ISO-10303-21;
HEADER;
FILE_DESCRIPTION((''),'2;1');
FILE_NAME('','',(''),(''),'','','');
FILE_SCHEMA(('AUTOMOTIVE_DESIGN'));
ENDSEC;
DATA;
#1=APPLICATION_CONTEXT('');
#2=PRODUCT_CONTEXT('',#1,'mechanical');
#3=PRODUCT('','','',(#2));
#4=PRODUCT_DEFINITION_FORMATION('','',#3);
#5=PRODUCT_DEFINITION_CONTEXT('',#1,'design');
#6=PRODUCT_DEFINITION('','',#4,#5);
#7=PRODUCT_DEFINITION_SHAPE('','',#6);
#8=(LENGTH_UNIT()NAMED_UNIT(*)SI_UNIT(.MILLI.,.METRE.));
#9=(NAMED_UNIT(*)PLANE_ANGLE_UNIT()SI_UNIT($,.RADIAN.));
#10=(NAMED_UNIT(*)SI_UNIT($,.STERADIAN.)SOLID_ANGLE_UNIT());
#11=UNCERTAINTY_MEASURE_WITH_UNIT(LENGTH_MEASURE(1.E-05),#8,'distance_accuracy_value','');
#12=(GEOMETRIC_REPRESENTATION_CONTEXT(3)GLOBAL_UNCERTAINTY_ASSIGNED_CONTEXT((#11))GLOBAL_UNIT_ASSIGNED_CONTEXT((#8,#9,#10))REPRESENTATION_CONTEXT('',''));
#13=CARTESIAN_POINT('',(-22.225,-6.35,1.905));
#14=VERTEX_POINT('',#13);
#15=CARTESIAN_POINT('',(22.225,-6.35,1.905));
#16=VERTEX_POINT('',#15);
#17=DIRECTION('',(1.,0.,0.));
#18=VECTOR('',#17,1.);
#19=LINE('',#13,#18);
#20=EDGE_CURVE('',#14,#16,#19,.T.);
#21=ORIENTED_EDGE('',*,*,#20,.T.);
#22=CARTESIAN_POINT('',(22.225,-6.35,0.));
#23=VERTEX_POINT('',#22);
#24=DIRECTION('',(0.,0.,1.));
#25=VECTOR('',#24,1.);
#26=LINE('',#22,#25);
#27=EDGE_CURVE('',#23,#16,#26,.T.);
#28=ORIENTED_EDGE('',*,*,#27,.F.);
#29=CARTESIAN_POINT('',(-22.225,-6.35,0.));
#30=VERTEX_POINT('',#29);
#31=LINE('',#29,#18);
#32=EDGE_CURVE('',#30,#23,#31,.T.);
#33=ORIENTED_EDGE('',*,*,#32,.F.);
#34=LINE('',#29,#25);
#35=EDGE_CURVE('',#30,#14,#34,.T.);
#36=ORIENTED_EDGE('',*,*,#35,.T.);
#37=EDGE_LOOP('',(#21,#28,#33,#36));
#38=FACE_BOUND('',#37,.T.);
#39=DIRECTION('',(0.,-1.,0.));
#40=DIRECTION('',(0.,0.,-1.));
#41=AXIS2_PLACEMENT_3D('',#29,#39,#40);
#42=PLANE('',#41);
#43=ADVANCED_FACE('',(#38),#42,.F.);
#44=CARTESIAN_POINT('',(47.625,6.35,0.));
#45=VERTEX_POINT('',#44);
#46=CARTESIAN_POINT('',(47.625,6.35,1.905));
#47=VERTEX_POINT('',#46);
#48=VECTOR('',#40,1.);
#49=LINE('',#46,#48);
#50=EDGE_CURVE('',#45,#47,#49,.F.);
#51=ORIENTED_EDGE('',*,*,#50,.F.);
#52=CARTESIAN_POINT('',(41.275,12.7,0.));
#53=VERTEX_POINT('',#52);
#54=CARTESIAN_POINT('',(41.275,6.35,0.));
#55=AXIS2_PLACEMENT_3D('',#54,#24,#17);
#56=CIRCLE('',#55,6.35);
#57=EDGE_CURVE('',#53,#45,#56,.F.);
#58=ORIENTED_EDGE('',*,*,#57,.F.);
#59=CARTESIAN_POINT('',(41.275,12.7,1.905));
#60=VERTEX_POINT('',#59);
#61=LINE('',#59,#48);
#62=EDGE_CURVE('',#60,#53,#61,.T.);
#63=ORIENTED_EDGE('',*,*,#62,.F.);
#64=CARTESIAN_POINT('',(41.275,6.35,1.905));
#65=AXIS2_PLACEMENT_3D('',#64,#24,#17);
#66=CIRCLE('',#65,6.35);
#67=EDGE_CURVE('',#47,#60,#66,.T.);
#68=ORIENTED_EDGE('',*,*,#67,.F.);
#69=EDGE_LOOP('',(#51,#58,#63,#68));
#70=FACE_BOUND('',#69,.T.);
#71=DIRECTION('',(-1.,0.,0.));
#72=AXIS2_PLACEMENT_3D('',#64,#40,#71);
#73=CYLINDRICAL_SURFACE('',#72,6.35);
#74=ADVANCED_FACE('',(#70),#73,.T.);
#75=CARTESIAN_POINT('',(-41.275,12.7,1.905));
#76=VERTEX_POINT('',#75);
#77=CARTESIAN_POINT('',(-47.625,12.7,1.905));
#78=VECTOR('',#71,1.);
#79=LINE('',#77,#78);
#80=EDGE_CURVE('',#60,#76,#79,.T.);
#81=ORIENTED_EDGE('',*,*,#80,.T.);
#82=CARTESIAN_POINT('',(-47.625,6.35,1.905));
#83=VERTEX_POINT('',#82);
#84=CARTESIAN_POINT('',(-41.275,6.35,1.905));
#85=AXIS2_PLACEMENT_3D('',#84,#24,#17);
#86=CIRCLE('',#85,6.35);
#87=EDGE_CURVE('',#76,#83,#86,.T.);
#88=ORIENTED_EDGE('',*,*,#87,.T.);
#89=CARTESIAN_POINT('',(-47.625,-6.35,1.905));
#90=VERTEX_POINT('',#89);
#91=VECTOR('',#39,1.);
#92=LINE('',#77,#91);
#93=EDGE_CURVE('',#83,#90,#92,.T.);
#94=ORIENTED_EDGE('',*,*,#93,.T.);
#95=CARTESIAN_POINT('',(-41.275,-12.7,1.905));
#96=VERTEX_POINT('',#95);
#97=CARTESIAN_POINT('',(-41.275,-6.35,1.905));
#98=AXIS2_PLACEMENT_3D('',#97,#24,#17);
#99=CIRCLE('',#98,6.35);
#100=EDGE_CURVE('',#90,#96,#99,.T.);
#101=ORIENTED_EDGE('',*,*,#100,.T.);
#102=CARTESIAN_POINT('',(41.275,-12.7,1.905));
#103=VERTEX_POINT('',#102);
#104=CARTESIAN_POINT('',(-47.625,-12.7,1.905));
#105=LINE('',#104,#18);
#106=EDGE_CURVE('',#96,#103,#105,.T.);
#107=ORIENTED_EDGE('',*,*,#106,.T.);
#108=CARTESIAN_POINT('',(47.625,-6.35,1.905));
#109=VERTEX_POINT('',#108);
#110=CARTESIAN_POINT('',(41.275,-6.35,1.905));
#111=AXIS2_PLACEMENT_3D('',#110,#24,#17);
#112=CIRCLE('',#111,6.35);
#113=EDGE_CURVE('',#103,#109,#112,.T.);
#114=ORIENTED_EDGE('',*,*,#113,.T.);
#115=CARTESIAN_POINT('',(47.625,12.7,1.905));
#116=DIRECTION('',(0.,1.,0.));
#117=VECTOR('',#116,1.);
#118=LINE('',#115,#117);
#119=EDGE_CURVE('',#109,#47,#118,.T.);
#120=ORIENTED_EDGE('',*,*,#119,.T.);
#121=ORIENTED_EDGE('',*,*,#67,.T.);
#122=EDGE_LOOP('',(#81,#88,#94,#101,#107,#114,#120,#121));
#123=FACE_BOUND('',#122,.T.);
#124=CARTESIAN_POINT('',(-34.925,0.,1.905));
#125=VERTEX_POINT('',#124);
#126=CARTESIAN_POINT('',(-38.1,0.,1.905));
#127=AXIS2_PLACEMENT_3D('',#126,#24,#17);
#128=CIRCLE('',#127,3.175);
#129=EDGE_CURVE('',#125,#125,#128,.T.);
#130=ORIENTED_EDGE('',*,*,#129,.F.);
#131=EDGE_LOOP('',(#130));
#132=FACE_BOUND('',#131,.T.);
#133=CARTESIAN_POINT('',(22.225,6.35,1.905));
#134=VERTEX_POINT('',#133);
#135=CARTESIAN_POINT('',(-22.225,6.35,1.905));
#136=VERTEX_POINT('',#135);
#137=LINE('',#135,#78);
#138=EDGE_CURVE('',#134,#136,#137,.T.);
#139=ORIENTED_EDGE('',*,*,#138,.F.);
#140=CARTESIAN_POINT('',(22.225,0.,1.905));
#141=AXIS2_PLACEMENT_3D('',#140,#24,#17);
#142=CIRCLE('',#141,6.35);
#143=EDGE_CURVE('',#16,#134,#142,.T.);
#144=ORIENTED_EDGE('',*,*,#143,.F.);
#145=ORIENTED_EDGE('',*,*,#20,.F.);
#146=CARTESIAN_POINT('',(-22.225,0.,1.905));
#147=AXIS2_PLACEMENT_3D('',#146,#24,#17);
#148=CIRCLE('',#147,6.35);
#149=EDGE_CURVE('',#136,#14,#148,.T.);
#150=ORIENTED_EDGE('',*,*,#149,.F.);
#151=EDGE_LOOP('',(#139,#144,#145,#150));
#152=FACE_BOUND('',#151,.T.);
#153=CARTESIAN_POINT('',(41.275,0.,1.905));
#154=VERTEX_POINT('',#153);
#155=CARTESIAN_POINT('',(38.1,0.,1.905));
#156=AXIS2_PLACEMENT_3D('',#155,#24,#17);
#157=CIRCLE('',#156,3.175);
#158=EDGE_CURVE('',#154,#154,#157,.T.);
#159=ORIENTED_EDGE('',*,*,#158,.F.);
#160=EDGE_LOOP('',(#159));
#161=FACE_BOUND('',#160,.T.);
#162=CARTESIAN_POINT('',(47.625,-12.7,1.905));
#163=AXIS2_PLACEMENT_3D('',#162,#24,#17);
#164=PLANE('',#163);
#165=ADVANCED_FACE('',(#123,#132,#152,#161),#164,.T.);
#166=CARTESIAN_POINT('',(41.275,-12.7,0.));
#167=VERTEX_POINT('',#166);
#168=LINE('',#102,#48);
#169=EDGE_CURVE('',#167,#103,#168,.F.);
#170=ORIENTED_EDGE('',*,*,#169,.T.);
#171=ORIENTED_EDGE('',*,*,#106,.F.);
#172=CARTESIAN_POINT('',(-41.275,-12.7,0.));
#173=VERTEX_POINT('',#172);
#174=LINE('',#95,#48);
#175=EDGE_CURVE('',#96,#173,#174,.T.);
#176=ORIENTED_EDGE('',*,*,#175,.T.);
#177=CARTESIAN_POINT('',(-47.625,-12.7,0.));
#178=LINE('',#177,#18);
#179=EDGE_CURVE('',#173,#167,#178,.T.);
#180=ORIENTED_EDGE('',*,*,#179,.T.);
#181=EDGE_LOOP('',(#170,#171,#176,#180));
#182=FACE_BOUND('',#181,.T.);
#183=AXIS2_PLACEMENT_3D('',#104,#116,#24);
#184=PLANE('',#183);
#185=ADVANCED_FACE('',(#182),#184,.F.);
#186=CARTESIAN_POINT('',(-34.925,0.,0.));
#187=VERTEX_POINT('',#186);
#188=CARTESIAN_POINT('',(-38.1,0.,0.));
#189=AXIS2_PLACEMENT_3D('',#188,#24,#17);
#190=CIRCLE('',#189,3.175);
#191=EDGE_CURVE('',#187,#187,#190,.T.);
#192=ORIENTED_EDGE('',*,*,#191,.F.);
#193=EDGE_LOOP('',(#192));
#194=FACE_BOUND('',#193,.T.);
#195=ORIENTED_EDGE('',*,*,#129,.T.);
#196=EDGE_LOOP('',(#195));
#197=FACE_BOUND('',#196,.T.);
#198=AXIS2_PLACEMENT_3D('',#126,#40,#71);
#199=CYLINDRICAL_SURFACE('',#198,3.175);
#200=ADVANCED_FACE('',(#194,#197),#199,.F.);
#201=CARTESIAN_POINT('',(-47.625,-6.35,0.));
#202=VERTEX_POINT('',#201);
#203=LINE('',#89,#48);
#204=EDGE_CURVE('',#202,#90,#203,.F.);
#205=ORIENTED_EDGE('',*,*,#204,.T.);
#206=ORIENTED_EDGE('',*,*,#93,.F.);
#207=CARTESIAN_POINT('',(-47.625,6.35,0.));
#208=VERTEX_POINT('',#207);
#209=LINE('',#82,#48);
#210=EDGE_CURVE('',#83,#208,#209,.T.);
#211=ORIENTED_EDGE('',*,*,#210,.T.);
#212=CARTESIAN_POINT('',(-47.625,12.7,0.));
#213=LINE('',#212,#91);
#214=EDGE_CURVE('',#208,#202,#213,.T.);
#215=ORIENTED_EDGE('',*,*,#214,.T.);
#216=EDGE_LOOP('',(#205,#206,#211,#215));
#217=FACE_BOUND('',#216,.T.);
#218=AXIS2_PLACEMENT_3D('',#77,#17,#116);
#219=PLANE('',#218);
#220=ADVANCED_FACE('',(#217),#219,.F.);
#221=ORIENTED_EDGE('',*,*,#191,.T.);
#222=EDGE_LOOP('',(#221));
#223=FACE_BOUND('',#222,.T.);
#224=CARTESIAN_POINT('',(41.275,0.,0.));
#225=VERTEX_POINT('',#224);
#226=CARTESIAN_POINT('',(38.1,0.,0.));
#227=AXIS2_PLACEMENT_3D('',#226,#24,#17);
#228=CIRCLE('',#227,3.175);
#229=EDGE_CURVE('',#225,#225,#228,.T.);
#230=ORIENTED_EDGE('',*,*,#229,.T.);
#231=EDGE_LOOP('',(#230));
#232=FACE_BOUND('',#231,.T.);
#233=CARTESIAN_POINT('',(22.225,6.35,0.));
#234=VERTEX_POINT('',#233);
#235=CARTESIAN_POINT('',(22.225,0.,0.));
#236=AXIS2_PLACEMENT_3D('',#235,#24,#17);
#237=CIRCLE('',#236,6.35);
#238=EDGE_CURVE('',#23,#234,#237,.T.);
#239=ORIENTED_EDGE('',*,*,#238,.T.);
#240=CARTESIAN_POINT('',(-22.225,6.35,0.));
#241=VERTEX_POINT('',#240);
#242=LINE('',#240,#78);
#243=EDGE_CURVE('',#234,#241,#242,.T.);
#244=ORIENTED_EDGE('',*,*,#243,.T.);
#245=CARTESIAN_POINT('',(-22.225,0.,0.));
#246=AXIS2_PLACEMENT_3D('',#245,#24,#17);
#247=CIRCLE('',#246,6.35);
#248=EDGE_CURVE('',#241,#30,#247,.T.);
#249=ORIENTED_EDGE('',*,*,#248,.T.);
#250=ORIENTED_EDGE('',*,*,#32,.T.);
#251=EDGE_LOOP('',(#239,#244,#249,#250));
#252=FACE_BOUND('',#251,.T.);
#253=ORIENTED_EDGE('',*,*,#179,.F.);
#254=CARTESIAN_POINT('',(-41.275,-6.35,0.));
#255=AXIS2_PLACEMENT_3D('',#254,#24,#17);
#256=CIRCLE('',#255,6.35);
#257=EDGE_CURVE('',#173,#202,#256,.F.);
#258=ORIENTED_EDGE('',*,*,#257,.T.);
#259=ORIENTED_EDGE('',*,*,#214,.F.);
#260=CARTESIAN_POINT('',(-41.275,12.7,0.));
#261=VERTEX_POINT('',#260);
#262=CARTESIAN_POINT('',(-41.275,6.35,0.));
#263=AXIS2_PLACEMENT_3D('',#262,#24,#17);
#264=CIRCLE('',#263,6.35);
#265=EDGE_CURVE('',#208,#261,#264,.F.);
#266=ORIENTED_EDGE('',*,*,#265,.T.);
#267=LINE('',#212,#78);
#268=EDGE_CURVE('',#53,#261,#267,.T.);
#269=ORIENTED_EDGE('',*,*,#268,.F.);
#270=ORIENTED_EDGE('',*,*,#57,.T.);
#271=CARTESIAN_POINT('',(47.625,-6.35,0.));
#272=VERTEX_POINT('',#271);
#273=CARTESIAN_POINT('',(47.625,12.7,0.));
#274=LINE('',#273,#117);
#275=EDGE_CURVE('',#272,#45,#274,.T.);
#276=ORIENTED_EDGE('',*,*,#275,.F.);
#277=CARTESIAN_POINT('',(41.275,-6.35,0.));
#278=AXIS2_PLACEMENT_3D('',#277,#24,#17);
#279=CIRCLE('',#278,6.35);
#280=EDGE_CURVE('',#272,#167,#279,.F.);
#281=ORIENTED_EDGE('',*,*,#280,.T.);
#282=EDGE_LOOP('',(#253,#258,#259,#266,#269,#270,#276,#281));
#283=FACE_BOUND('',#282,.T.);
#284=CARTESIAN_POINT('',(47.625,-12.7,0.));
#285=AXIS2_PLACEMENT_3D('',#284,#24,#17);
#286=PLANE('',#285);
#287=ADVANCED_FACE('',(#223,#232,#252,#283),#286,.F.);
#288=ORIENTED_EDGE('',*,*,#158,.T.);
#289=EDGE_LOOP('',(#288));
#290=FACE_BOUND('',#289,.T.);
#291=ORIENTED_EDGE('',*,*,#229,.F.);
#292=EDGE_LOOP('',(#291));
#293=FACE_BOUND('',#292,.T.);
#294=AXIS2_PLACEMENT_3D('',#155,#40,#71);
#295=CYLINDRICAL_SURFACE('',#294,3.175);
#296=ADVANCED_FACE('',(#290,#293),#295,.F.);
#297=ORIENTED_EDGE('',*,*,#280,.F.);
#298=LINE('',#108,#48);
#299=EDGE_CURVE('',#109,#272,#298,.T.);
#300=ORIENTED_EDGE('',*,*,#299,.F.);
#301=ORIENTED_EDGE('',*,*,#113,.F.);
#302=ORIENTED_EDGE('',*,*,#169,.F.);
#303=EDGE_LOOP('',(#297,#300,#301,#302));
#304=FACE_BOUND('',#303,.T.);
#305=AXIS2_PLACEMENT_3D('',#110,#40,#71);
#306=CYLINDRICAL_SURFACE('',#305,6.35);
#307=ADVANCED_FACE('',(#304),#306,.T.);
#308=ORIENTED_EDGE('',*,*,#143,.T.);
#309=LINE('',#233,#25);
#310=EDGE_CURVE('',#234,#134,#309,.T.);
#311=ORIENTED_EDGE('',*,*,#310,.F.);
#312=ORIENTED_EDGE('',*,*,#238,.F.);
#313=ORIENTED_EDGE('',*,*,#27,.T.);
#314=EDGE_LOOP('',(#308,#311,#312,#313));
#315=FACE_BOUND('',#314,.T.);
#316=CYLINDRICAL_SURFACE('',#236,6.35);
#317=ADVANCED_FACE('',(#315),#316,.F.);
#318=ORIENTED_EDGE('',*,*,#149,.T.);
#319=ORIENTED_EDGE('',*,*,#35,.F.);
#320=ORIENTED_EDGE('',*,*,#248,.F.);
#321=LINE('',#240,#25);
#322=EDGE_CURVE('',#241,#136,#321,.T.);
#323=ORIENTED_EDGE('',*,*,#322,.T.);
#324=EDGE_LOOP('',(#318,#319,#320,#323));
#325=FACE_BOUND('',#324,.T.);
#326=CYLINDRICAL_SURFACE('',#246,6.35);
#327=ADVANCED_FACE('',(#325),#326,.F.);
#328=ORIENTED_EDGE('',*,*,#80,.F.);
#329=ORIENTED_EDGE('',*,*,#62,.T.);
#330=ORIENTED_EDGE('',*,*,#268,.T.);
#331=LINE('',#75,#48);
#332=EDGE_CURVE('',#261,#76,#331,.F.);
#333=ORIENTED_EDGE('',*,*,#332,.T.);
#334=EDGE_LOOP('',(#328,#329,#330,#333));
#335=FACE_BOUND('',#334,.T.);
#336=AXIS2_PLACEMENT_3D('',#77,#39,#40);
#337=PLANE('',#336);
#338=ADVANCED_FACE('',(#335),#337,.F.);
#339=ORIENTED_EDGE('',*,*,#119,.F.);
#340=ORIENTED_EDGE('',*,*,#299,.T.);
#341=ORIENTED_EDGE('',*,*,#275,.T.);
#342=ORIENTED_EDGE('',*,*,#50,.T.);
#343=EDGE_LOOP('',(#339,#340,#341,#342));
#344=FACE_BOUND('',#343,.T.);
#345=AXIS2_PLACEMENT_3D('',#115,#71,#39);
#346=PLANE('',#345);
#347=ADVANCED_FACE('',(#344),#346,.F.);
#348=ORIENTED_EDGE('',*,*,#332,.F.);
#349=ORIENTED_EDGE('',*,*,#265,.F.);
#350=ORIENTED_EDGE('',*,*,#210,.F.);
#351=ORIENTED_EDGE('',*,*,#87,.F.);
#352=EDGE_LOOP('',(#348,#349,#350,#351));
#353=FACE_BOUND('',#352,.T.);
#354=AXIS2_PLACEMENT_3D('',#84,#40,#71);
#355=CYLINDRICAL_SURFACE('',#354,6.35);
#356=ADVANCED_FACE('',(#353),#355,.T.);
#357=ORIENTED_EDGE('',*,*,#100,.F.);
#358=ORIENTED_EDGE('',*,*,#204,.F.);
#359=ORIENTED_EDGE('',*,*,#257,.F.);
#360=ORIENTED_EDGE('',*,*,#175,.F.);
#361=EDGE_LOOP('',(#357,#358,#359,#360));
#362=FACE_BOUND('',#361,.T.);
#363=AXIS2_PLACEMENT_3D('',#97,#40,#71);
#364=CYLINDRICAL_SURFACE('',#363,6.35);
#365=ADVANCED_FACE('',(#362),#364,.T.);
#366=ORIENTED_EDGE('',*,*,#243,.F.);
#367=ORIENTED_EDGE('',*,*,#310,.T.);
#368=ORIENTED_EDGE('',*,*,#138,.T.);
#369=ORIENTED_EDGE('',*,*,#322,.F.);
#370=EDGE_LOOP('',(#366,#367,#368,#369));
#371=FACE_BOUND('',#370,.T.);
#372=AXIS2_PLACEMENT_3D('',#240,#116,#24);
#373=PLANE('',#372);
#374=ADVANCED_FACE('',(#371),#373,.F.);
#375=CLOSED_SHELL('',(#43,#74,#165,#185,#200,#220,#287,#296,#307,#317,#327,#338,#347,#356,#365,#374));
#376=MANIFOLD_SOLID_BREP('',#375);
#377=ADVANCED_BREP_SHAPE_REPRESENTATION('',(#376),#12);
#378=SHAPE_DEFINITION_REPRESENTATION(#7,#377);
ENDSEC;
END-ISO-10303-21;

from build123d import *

# Parameters (mm, degrees)
SKETCH1_W           = 95.25
SKETCH1_H           = 25.4
SKETCH1_R           = 3.175
BOSS_EXTRUDE1_DEPTH = 1.905
CUT_EXTRUDE1_DEPTH  = 2.905
FILLET1_R           = 6.35


with BuildPart() as part:
    # Sketch1 → Boss-Extrude1 (new body)
    with BuildSketch(Plane.XY):
        Rectangle(SKETCH1_W, SKETCH1_H)
        with Locations((-38.1, 0)):
            Circle(SKETCH1_R, mode=Mode.SUBTRACT)
        with Locations((38.1, 0)):
            Circle(SKETCH1_R, mode=Mode.SUBTRACT)
    extrude(amount=BOSS_EXTRUDE1_DEPTH)

    # Sketch2 → Cut-Extrude1 (cut, through all)
    with BuildSketch(Plane.XY.offset(1.905)):
        with BuildLine():
            Line((-22.225, 6.35), (22.225, 6.35))
            ThreePointArc((22.225, 6.35), (28.575, 0), (22.225, -6.35))
            Line((22.225, -6.35), (-22.225, -6.35))
            ThreePointArc((-22.225, -6.35), (-28.575, 0), (-22.225, 6.35))
        make_face()
    extrude(amount=-CUT_EXTRUDE1_DEPTH, mode=Mode.SUBTRACT)

    # Fillet1
    fillet1_edges = [part.edges().sort_by_distance(p)[0] for p in [
        (47.625, -12.7, 0.9525),
        (-47.625, -12.7, 0.9525),
        (-47.625, 12.7, 0.9525),
        (47.625, 12.7, 0.9525),
    ]]
    fillet(fillet1_edges, radius=FILLET1_R)


solid = part.part
